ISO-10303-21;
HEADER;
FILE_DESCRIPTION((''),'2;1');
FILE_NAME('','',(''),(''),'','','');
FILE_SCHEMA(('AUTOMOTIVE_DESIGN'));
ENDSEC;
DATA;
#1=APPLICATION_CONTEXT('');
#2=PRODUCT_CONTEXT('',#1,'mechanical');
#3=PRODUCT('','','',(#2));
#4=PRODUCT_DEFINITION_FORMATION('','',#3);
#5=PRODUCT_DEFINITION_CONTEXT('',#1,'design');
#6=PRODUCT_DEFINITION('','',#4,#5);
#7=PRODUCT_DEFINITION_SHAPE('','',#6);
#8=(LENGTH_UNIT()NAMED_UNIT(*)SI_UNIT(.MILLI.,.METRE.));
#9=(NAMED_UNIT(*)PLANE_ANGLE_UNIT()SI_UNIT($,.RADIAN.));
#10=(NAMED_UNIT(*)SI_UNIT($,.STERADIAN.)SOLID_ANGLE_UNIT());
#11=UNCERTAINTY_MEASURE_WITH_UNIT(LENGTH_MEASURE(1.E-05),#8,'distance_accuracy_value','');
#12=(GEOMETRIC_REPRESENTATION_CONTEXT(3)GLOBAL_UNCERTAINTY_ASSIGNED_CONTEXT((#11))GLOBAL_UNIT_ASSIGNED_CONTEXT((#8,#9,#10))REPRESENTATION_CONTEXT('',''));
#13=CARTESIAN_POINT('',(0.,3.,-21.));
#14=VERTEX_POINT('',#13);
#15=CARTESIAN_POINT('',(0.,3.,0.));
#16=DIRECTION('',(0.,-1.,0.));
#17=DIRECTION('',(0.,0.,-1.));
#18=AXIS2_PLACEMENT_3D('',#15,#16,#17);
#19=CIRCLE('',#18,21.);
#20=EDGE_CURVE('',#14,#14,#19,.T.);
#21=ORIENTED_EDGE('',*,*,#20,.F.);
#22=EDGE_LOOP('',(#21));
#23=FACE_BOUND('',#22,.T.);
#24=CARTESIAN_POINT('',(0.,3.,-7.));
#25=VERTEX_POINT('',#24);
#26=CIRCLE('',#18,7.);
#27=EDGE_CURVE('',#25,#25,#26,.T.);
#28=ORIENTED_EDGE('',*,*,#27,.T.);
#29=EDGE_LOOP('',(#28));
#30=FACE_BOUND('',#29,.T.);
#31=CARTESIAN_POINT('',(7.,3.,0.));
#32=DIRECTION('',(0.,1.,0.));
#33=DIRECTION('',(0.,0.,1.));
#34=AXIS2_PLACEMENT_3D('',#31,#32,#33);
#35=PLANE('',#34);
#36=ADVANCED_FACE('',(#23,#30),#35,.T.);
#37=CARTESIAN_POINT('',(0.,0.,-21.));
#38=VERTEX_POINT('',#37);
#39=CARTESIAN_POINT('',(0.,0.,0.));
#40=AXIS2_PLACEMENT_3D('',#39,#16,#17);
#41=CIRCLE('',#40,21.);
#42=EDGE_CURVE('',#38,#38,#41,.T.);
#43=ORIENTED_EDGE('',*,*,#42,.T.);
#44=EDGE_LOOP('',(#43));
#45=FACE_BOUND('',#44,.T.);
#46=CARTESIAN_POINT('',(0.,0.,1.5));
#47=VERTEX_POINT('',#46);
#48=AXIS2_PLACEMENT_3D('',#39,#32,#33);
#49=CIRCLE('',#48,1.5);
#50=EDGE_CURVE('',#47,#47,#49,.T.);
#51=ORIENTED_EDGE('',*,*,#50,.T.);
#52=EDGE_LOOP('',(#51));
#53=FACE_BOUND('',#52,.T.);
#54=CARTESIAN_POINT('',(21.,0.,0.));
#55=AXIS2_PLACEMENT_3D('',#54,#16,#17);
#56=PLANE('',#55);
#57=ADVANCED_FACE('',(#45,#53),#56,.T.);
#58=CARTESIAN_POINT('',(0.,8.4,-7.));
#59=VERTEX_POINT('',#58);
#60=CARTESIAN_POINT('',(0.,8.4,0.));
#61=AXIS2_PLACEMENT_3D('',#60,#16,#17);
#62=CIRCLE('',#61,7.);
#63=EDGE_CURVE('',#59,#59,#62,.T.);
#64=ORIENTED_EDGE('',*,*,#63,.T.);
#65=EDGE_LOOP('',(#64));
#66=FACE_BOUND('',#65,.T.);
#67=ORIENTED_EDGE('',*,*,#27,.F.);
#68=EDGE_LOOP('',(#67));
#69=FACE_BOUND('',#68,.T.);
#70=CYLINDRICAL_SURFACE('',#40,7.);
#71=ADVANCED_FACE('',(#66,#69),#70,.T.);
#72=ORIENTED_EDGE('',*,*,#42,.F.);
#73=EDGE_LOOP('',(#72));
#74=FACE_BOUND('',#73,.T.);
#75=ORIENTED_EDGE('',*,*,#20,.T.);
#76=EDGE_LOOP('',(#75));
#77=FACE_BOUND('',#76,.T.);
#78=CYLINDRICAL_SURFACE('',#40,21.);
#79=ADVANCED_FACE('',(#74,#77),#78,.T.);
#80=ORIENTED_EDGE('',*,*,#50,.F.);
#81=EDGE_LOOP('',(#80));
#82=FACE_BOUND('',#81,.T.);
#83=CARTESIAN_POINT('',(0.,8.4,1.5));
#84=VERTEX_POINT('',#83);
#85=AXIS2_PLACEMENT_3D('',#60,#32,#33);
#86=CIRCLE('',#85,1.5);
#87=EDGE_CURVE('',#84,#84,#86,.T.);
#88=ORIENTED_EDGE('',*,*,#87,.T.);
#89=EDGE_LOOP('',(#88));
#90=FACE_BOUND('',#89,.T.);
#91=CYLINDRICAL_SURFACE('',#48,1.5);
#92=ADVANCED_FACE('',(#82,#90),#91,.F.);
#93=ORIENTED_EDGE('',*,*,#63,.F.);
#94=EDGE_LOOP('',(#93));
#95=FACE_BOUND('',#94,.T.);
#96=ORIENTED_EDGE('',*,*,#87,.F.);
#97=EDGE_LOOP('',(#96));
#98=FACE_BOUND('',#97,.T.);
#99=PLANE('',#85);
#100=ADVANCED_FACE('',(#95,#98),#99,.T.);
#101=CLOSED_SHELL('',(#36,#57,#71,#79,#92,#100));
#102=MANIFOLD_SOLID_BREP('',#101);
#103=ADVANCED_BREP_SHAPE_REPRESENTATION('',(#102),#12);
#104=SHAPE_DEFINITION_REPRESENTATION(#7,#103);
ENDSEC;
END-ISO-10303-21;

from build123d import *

# Parameters (mm, degrees)
ESQUISSE2_R             = 1.5
ENL_V_MAT_EXTRU_1_DEPTH = 9.4


with BuildPart() as part:
    # Esquisse1 → Révolution1 (revolve)
    with BuildSketch(Plane.XY):
        Polygon((0, 0), (0, 8.4), (7, 8.4), (7, 3), (21, 3), (21, 0), align=None)
    revolve(axis=Axis((0, 0, 0), (0, 1, 0)))

    # Esquisse2 → Enlèv. mat.-Extru.1 (cut, through all)
    with BuildSketch(Plane(origin=(0, 8.4, 0), x_dir=(1, 0, 0), z_dir=(0, 1, 0))):
        Circle(ESQUISSE2_R)
    extrude(amount=-ENL_V_MAT_EXTRU_1_DEPTH, mode=Mode.SUBTRACT)


solid = part.part
